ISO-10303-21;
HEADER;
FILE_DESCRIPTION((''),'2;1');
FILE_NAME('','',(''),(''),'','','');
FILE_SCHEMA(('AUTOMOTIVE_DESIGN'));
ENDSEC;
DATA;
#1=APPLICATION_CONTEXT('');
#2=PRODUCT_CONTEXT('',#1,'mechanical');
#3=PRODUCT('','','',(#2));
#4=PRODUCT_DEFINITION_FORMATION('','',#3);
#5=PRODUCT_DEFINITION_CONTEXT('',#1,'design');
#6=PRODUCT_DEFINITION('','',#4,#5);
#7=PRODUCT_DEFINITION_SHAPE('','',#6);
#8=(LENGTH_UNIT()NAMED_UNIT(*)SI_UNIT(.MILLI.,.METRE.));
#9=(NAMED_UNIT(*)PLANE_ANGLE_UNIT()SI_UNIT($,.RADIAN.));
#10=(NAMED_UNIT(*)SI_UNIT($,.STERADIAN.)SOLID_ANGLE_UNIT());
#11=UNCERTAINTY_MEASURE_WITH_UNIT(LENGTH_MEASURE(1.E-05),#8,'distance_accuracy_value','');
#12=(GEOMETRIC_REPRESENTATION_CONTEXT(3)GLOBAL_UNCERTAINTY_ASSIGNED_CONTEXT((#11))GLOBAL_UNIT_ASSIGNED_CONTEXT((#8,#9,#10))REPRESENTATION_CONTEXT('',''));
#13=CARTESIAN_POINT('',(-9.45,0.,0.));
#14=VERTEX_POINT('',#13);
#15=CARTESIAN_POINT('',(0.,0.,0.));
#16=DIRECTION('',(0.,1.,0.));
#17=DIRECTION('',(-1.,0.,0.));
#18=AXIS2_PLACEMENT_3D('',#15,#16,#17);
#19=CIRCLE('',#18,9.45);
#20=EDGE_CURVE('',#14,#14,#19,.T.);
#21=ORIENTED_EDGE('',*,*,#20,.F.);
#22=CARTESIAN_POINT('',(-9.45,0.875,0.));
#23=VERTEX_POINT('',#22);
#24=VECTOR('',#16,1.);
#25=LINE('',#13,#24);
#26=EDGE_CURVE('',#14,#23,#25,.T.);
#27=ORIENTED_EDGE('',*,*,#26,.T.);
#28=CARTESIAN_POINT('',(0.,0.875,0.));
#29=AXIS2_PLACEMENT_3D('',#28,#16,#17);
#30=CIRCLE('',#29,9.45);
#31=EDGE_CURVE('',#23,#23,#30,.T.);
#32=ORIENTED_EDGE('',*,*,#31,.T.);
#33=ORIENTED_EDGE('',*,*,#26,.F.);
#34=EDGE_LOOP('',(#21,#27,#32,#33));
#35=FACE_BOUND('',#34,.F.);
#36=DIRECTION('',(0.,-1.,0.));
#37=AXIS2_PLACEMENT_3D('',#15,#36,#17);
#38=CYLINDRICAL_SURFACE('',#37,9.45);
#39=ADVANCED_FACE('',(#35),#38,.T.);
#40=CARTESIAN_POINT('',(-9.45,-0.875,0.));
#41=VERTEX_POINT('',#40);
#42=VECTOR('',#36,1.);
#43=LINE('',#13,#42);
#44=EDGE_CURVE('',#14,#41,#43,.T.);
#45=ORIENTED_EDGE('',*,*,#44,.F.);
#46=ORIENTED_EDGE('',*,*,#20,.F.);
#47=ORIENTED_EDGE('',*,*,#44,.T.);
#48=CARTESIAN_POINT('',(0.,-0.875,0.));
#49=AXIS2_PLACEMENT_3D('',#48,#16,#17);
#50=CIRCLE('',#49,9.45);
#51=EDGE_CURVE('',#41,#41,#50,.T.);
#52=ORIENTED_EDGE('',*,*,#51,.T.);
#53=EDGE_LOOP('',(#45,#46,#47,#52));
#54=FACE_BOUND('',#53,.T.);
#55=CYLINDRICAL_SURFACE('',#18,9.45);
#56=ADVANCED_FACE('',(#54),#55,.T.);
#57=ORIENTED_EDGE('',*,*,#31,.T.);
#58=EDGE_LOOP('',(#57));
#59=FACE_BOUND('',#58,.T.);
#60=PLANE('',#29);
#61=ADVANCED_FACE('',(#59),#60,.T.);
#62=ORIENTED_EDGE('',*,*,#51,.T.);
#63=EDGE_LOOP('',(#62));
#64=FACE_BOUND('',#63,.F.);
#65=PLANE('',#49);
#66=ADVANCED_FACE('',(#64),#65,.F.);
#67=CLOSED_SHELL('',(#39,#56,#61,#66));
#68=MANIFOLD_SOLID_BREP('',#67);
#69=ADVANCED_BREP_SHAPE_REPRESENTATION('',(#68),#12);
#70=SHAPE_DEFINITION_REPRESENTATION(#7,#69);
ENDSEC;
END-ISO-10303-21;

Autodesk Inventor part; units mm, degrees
ref_plane "YZ Plane" through (0, 0, 0) normal (1, 0, 0) x (0, 1, 0)
ref_plane "XZ Plane" through (0, 0, 0) normal (0, 1, 0) x (-1, 0, 0)
ref_plane "XY Plane" through (0, 0, 0) normal (0, 0, 1) x (1, 0, 0)
sketch "Sketch1" plane through (0, 0, 0) normal (0, 1, 0) x (-1, 0, 0)
  circle A0 centre (0, 0) radius 9.45
  dimension "d0" = 18.9
extrude "Extrusion1" add sketch "Sketch1" along normal mid plane 1.75
properties part number "Cardboard_1_Single" material "Paper"
